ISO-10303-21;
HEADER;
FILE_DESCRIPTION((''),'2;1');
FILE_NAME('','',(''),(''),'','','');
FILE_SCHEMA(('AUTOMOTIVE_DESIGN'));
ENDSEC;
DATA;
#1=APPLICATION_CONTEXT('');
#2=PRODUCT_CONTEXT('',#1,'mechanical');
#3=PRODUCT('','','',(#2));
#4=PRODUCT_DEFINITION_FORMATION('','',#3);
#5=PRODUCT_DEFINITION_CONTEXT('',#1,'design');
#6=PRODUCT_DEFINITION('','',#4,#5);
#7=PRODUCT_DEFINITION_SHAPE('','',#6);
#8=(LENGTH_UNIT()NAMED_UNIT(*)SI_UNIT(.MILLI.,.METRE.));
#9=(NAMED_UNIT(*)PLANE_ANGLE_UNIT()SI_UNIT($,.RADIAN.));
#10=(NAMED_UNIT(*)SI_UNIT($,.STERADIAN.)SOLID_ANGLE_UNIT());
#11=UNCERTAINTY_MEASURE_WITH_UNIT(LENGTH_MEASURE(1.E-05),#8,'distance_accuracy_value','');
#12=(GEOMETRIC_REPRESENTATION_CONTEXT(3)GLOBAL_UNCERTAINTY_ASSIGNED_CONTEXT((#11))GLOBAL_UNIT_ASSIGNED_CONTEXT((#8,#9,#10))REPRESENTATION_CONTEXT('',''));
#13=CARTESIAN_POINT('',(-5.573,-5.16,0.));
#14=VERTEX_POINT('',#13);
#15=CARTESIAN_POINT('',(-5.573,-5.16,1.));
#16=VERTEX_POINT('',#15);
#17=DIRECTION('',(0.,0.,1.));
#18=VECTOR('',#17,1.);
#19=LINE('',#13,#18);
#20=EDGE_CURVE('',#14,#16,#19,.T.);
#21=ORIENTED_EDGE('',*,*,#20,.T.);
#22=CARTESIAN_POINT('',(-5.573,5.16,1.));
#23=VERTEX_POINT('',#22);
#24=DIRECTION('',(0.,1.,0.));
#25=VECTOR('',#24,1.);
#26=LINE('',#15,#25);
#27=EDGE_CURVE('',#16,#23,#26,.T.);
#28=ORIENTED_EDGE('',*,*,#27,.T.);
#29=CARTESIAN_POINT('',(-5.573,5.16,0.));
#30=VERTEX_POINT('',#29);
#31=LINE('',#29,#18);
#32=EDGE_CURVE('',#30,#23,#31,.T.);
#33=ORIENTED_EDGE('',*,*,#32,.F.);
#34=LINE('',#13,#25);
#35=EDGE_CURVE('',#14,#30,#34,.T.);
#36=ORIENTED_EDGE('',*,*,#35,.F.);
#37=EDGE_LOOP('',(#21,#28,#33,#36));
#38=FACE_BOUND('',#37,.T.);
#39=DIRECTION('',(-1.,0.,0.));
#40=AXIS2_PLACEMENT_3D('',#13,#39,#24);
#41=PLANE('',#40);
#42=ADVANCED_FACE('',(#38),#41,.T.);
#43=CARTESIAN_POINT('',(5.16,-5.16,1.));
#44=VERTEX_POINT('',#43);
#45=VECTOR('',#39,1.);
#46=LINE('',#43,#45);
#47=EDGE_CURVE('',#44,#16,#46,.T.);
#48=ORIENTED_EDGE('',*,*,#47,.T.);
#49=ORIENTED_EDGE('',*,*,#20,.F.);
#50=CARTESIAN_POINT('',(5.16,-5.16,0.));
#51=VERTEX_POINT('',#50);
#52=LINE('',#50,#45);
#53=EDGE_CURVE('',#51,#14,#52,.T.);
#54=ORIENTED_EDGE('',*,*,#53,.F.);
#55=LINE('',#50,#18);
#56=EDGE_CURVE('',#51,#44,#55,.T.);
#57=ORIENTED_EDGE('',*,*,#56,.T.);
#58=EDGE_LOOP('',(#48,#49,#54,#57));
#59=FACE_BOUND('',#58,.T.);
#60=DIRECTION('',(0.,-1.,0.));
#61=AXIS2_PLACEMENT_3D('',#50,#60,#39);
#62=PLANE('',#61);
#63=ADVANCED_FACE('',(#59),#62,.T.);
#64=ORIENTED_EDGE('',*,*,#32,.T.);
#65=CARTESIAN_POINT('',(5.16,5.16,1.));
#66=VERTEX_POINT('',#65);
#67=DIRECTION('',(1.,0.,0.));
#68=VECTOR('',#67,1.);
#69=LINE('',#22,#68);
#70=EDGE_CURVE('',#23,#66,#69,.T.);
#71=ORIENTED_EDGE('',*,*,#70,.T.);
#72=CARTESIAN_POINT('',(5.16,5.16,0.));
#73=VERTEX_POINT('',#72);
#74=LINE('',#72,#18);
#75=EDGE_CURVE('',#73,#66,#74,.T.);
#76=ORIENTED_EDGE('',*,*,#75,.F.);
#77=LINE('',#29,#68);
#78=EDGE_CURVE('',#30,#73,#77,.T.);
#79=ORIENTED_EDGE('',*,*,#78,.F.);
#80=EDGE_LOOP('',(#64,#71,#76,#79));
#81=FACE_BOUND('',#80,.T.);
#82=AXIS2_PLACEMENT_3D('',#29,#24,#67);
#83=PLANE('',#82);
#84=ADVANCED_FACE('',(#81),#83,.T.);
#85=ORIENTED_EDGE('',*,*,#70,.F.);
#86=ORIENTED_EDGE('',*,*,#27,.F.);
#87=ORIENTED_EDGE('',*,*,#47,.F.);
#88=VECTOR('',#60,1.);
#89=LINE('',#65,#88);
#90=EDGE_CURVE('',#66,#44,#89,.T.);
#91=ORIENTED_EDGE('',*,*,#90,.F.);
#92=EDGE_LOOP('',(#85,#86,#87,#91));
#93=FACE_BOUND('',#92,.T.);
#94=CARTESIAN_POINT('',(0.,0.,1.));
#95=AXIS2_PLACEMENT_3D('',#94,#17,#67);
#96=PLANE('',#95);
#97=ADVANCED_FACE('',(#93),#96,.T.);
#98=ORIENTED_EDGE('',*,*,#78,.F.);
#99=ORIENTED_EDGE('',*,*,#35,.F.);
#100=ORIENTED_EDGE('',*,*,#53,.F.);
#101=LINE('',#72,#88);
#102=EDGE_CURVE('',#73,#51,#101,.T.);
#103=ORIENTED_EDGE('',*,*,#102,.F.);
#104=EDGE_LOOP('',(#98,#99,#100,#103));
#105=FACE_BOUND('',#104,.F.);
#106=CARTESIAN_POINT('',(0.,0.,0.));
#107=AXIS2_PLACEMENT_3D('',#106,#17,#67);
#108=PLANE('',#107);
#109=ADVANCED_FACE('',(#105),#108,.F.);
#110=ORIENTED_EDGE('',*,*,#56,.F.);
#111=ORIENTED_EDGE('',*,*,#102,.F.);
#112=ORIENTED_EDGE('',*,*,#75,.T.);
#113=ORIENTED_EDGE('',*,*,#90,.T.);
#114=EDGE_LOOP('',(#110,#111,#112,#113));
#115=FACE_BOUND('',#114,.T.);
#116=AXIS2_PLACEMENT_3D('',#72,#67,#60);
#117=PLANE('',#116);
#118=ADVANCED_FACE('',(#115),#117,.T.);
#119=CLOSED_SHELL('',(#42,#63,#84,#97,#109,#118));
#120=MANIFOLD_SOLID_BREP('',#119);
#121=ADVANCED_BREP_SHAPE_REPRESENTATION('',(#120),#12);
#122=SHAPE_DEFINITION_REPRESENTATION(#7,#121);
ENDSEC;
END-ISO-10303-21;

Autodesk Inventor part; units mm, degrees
ref_plane "YZ Plane" through (0, 0, 0) normal (1, 0, 0) x (0, 1, 0)
ref_plane "XZ Plane" through (0, 0, 0) normal (0, 1, 0) x (-1, 0, 0)
ref_plane "XY Plane" through (0, 0, 0) normal (0, 0, 1) x (1, 0, 0)
sketch "QFP80P900X900X120-32N, ATMEGA328PB-AUR_23" plane through (0, 0, 0) normal (0, 0, 1) x (1, 0, 0)
  line L0 (-5.573, 5.16) -> (5.16, 5.16)
  line L1 (5.16, 5.16) -> (5.16, -5.16)
  line L2 (5.16, -5.16) -> (-5.573, -5.16)
  line L3 (-5.573, -5.16) -> (-5.573, 5.16)
extrude "Extrusion1" add sketch "QFP80P900X900X120-32N, ATMEGA328PB-AUR_23" along normal blind 1
properties part number "ATMEGA328PB-AUR"
